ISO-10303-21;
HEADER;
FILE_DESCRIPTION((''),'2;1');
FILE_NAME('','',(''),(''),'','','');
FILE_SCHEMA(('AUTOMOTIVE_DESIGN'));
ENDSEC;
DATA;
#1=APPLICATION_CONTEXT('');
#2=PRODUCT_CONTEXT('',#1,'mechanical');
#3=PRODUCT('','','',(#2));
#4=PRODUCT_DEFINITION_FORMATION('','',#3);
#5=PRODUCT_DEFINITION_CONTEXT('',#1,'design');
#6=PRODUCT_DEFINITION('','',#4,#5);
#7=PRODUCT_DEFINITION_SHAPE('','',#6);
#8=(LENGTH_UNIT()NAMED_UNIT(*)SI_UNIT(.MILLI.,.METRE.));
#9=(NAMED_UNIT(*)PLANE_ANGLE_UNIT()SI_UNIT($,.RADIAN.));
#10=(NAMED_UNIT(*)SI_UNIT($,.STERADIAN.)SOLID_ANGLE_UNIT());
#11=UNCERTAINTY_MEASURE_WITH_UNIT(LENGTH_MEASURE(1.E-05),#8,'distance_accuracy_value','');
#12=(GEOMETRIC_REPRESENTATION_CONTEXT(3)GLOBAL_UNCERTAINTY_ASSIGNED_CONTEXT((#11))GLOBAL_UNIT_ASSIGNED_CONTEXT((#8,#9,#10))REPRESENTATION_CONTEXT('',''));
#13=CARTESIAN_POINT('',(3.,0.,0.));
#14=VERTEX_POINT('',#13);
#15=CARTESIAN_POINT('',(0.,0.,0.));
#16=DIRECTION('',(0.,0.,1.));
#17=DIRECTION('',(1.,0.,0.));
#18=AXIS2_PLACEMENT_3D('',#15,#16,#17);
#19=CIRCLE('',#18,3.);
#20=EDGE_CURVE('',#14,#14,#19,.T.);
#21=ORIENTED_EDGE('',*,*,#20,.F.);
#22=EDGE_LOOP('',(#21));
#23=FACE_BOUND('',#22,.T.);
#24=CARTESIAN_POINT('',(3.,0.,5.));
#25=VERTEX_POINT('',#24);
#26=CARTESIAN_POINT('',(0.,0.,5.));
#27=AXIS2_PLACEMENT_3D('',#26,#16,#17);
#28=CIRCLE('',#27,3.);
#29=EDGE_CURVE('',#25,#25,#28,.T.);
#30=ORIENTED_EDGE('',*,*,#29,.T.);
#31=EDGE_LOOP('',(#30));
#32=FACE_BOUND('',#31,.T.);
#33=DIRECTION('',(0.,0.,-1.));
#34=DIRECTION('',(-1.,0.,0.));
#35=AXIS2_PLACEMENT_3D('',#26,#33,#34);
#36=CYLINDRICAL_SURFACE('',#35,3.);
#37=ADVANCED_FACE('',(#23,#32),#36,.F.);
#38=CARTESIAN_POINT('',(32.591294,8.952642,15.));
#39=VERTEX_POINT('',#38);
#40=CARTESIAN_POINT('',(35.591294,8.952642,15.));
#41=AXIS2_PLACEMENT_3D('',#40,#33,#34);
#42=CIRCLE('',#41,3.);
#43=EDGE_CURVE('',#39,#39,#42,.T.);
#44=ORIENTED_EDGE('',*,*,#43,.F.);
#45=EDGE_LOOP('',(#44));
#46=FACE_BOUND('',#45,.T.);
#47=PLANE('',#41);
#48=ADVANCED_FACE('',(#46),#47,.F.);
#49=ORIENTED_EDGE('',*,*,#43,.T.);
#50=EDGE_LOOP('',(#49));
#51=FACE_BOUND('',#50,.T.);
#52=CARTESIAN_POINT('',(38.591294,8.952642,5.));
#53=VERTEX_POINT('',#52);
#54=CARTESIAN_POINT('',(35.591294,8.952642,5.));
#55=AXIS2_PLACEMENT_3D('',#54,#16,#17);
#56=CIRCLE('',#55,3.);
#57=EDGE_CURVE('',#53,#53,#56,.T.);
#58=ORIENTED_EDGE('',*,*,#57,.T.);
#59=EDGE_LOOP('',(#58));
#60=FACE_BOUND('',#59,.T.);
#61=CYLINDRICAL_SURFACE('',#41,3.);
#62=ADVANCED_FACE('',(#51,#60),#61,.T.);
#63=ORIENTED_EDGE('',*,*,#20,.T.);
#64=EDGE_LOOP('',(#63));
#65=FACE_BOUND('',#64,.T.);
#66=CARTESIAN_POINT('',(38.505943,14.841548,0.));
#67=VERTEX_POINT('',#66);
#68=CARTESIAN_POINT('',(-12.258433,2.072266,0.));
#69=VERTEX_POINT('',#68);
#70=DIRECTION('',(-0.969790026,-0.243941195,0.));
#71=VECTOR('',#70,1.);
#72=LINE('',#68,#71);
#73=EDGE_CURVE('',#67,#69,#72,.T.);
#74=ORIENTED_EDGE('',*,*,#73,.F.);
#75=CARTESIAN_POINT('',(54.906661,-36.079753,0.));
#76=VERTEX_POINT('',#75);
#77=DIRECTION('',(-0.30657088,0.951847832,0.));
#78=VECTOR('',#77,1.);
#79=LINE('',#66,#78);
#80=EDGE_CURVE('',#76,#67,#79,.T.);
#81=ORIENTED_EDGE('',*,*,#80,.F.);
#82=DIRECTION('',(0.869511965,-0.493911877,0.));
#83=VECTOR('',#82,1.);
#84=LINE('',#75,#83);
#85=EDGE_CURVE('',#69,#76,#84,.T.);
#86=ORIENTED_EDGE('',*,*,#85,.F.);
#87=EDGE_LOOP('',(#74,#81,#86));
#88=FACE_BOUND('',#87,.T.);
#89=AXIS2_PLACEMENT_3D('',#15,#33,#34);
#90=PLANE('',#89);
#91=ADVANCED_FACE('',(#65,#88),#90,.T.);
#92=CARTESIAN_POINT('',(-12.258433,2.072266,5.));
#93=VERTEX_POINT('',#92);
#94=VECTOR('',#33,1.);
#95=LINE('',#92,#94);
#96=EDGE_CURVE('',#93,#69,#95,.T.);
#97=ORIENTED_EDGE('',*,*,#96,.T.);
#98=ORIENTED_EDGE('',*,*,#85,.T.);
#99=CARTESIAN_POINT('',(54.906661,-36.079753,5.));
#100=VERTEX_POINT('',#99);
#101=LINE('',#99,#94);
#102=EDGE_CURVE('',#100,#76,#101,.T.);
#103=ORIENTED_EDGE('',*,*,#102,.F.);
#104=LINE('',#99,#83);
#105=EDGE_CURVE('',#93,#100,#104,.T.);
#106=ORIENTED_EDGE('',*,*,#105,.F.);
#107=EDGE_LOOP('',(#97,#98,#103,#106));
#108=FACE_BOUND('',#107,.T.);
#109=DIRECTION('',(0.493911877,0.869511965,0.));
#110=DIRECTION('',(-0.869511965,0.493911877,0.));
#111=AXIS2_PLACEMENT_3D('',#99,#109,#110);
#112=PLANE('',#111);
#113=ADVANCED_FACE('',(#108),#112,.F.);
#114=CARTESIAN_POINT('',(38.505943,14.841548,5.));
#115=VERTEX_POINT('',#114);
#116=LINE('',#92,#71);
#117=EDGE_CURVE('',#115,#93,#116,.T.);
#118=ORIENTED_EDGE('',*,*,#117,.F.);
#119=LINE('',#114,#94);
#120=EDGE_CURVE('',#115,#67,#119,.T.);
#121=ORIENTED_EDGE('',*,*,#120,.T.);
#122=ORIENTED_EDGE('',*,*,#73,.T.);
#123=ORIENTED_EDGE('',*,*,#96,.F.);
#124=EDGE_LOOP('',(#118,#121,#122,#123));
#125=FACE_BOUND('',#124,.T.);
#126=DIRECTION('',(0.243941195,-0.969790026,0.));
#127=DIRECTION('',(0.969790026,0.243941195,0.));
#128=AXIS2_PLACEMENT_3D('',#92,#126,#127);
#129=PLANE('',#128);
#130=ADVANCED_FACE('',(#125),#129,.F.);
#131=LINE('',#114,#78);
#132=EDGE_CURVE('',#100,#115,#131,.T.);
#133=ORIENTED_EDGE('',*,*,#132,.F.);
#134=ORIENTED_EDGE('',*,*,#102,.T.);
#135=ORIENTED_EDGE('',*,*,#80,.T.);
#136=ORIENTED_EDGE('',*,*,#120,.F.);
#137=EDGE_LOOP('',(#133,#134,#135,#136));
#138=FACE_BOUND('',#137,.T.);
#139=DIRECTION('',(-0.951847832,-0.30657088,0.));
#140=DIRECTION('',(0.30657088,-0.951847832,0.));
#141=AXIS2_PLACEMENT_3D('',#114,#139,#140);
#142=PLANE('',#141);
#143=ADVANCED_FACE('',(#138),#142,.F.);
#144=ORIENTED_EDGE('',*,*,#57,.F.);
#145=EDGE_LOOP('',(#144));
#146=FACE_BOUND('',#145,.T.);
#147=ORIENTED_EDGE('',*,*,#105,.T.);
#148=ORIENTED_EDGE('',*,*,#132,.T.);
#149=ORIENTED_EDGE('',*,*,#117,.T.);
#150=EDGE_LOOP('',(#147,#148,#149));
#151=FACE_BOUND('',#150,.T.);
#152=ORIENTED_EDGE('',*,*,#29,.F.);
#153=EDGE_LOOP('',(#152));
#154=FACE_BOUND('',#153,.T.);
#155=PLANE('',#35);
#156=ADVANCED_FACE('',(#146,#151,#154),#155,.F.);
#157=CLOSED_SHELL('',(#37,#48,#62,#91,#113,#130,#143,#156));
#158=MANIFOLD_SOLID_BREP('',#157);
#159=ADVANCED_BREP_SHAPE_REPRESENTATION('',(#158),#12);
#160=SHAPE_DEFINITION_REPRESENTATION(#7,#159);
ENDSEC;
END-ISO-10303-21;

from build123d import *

# Parameters (mm, degrees)
SKETCH1_R           = 3
BOSS_EXTRUDE1_DEPTH = 5
SKETCH2_R           = 3
BOSS_EXTRUDE2_DEPTH = 15


with BuildPart() as part:
    # Sketch1 → Boss-Extrude1 (new body)
    with BuildSketch(Plane.XY):
        Polygon((-12.258432753, 2.072266385), (38.505942563, 14.841548426), (54.906660914, -36.079753149), align=None)
        Circle(SKETCH1_R, mode=Mode.SUBTRACT)
        with Locations((35.591293936, 8.952641841)):
            Circle(SKETCH1_R, mode=Mode.SUBTRACT)
    extrude(amount=BOSS_EXTRUDE1_DEPTH)

    # Sketch2 → Boss-Extrude2 (add)
    with BuildSketch(Plane(origin=(0, 0, 0), x_dir=(-1, 0, 0), z_dir=(0, 0, -1))):
        with Locations((-35.591293936, 8.952641841)):
            Circle(SKETCH2_R)
    extrude(amount=-BOSS_EXTRUDE2_DEPTH)


solid = part.part
